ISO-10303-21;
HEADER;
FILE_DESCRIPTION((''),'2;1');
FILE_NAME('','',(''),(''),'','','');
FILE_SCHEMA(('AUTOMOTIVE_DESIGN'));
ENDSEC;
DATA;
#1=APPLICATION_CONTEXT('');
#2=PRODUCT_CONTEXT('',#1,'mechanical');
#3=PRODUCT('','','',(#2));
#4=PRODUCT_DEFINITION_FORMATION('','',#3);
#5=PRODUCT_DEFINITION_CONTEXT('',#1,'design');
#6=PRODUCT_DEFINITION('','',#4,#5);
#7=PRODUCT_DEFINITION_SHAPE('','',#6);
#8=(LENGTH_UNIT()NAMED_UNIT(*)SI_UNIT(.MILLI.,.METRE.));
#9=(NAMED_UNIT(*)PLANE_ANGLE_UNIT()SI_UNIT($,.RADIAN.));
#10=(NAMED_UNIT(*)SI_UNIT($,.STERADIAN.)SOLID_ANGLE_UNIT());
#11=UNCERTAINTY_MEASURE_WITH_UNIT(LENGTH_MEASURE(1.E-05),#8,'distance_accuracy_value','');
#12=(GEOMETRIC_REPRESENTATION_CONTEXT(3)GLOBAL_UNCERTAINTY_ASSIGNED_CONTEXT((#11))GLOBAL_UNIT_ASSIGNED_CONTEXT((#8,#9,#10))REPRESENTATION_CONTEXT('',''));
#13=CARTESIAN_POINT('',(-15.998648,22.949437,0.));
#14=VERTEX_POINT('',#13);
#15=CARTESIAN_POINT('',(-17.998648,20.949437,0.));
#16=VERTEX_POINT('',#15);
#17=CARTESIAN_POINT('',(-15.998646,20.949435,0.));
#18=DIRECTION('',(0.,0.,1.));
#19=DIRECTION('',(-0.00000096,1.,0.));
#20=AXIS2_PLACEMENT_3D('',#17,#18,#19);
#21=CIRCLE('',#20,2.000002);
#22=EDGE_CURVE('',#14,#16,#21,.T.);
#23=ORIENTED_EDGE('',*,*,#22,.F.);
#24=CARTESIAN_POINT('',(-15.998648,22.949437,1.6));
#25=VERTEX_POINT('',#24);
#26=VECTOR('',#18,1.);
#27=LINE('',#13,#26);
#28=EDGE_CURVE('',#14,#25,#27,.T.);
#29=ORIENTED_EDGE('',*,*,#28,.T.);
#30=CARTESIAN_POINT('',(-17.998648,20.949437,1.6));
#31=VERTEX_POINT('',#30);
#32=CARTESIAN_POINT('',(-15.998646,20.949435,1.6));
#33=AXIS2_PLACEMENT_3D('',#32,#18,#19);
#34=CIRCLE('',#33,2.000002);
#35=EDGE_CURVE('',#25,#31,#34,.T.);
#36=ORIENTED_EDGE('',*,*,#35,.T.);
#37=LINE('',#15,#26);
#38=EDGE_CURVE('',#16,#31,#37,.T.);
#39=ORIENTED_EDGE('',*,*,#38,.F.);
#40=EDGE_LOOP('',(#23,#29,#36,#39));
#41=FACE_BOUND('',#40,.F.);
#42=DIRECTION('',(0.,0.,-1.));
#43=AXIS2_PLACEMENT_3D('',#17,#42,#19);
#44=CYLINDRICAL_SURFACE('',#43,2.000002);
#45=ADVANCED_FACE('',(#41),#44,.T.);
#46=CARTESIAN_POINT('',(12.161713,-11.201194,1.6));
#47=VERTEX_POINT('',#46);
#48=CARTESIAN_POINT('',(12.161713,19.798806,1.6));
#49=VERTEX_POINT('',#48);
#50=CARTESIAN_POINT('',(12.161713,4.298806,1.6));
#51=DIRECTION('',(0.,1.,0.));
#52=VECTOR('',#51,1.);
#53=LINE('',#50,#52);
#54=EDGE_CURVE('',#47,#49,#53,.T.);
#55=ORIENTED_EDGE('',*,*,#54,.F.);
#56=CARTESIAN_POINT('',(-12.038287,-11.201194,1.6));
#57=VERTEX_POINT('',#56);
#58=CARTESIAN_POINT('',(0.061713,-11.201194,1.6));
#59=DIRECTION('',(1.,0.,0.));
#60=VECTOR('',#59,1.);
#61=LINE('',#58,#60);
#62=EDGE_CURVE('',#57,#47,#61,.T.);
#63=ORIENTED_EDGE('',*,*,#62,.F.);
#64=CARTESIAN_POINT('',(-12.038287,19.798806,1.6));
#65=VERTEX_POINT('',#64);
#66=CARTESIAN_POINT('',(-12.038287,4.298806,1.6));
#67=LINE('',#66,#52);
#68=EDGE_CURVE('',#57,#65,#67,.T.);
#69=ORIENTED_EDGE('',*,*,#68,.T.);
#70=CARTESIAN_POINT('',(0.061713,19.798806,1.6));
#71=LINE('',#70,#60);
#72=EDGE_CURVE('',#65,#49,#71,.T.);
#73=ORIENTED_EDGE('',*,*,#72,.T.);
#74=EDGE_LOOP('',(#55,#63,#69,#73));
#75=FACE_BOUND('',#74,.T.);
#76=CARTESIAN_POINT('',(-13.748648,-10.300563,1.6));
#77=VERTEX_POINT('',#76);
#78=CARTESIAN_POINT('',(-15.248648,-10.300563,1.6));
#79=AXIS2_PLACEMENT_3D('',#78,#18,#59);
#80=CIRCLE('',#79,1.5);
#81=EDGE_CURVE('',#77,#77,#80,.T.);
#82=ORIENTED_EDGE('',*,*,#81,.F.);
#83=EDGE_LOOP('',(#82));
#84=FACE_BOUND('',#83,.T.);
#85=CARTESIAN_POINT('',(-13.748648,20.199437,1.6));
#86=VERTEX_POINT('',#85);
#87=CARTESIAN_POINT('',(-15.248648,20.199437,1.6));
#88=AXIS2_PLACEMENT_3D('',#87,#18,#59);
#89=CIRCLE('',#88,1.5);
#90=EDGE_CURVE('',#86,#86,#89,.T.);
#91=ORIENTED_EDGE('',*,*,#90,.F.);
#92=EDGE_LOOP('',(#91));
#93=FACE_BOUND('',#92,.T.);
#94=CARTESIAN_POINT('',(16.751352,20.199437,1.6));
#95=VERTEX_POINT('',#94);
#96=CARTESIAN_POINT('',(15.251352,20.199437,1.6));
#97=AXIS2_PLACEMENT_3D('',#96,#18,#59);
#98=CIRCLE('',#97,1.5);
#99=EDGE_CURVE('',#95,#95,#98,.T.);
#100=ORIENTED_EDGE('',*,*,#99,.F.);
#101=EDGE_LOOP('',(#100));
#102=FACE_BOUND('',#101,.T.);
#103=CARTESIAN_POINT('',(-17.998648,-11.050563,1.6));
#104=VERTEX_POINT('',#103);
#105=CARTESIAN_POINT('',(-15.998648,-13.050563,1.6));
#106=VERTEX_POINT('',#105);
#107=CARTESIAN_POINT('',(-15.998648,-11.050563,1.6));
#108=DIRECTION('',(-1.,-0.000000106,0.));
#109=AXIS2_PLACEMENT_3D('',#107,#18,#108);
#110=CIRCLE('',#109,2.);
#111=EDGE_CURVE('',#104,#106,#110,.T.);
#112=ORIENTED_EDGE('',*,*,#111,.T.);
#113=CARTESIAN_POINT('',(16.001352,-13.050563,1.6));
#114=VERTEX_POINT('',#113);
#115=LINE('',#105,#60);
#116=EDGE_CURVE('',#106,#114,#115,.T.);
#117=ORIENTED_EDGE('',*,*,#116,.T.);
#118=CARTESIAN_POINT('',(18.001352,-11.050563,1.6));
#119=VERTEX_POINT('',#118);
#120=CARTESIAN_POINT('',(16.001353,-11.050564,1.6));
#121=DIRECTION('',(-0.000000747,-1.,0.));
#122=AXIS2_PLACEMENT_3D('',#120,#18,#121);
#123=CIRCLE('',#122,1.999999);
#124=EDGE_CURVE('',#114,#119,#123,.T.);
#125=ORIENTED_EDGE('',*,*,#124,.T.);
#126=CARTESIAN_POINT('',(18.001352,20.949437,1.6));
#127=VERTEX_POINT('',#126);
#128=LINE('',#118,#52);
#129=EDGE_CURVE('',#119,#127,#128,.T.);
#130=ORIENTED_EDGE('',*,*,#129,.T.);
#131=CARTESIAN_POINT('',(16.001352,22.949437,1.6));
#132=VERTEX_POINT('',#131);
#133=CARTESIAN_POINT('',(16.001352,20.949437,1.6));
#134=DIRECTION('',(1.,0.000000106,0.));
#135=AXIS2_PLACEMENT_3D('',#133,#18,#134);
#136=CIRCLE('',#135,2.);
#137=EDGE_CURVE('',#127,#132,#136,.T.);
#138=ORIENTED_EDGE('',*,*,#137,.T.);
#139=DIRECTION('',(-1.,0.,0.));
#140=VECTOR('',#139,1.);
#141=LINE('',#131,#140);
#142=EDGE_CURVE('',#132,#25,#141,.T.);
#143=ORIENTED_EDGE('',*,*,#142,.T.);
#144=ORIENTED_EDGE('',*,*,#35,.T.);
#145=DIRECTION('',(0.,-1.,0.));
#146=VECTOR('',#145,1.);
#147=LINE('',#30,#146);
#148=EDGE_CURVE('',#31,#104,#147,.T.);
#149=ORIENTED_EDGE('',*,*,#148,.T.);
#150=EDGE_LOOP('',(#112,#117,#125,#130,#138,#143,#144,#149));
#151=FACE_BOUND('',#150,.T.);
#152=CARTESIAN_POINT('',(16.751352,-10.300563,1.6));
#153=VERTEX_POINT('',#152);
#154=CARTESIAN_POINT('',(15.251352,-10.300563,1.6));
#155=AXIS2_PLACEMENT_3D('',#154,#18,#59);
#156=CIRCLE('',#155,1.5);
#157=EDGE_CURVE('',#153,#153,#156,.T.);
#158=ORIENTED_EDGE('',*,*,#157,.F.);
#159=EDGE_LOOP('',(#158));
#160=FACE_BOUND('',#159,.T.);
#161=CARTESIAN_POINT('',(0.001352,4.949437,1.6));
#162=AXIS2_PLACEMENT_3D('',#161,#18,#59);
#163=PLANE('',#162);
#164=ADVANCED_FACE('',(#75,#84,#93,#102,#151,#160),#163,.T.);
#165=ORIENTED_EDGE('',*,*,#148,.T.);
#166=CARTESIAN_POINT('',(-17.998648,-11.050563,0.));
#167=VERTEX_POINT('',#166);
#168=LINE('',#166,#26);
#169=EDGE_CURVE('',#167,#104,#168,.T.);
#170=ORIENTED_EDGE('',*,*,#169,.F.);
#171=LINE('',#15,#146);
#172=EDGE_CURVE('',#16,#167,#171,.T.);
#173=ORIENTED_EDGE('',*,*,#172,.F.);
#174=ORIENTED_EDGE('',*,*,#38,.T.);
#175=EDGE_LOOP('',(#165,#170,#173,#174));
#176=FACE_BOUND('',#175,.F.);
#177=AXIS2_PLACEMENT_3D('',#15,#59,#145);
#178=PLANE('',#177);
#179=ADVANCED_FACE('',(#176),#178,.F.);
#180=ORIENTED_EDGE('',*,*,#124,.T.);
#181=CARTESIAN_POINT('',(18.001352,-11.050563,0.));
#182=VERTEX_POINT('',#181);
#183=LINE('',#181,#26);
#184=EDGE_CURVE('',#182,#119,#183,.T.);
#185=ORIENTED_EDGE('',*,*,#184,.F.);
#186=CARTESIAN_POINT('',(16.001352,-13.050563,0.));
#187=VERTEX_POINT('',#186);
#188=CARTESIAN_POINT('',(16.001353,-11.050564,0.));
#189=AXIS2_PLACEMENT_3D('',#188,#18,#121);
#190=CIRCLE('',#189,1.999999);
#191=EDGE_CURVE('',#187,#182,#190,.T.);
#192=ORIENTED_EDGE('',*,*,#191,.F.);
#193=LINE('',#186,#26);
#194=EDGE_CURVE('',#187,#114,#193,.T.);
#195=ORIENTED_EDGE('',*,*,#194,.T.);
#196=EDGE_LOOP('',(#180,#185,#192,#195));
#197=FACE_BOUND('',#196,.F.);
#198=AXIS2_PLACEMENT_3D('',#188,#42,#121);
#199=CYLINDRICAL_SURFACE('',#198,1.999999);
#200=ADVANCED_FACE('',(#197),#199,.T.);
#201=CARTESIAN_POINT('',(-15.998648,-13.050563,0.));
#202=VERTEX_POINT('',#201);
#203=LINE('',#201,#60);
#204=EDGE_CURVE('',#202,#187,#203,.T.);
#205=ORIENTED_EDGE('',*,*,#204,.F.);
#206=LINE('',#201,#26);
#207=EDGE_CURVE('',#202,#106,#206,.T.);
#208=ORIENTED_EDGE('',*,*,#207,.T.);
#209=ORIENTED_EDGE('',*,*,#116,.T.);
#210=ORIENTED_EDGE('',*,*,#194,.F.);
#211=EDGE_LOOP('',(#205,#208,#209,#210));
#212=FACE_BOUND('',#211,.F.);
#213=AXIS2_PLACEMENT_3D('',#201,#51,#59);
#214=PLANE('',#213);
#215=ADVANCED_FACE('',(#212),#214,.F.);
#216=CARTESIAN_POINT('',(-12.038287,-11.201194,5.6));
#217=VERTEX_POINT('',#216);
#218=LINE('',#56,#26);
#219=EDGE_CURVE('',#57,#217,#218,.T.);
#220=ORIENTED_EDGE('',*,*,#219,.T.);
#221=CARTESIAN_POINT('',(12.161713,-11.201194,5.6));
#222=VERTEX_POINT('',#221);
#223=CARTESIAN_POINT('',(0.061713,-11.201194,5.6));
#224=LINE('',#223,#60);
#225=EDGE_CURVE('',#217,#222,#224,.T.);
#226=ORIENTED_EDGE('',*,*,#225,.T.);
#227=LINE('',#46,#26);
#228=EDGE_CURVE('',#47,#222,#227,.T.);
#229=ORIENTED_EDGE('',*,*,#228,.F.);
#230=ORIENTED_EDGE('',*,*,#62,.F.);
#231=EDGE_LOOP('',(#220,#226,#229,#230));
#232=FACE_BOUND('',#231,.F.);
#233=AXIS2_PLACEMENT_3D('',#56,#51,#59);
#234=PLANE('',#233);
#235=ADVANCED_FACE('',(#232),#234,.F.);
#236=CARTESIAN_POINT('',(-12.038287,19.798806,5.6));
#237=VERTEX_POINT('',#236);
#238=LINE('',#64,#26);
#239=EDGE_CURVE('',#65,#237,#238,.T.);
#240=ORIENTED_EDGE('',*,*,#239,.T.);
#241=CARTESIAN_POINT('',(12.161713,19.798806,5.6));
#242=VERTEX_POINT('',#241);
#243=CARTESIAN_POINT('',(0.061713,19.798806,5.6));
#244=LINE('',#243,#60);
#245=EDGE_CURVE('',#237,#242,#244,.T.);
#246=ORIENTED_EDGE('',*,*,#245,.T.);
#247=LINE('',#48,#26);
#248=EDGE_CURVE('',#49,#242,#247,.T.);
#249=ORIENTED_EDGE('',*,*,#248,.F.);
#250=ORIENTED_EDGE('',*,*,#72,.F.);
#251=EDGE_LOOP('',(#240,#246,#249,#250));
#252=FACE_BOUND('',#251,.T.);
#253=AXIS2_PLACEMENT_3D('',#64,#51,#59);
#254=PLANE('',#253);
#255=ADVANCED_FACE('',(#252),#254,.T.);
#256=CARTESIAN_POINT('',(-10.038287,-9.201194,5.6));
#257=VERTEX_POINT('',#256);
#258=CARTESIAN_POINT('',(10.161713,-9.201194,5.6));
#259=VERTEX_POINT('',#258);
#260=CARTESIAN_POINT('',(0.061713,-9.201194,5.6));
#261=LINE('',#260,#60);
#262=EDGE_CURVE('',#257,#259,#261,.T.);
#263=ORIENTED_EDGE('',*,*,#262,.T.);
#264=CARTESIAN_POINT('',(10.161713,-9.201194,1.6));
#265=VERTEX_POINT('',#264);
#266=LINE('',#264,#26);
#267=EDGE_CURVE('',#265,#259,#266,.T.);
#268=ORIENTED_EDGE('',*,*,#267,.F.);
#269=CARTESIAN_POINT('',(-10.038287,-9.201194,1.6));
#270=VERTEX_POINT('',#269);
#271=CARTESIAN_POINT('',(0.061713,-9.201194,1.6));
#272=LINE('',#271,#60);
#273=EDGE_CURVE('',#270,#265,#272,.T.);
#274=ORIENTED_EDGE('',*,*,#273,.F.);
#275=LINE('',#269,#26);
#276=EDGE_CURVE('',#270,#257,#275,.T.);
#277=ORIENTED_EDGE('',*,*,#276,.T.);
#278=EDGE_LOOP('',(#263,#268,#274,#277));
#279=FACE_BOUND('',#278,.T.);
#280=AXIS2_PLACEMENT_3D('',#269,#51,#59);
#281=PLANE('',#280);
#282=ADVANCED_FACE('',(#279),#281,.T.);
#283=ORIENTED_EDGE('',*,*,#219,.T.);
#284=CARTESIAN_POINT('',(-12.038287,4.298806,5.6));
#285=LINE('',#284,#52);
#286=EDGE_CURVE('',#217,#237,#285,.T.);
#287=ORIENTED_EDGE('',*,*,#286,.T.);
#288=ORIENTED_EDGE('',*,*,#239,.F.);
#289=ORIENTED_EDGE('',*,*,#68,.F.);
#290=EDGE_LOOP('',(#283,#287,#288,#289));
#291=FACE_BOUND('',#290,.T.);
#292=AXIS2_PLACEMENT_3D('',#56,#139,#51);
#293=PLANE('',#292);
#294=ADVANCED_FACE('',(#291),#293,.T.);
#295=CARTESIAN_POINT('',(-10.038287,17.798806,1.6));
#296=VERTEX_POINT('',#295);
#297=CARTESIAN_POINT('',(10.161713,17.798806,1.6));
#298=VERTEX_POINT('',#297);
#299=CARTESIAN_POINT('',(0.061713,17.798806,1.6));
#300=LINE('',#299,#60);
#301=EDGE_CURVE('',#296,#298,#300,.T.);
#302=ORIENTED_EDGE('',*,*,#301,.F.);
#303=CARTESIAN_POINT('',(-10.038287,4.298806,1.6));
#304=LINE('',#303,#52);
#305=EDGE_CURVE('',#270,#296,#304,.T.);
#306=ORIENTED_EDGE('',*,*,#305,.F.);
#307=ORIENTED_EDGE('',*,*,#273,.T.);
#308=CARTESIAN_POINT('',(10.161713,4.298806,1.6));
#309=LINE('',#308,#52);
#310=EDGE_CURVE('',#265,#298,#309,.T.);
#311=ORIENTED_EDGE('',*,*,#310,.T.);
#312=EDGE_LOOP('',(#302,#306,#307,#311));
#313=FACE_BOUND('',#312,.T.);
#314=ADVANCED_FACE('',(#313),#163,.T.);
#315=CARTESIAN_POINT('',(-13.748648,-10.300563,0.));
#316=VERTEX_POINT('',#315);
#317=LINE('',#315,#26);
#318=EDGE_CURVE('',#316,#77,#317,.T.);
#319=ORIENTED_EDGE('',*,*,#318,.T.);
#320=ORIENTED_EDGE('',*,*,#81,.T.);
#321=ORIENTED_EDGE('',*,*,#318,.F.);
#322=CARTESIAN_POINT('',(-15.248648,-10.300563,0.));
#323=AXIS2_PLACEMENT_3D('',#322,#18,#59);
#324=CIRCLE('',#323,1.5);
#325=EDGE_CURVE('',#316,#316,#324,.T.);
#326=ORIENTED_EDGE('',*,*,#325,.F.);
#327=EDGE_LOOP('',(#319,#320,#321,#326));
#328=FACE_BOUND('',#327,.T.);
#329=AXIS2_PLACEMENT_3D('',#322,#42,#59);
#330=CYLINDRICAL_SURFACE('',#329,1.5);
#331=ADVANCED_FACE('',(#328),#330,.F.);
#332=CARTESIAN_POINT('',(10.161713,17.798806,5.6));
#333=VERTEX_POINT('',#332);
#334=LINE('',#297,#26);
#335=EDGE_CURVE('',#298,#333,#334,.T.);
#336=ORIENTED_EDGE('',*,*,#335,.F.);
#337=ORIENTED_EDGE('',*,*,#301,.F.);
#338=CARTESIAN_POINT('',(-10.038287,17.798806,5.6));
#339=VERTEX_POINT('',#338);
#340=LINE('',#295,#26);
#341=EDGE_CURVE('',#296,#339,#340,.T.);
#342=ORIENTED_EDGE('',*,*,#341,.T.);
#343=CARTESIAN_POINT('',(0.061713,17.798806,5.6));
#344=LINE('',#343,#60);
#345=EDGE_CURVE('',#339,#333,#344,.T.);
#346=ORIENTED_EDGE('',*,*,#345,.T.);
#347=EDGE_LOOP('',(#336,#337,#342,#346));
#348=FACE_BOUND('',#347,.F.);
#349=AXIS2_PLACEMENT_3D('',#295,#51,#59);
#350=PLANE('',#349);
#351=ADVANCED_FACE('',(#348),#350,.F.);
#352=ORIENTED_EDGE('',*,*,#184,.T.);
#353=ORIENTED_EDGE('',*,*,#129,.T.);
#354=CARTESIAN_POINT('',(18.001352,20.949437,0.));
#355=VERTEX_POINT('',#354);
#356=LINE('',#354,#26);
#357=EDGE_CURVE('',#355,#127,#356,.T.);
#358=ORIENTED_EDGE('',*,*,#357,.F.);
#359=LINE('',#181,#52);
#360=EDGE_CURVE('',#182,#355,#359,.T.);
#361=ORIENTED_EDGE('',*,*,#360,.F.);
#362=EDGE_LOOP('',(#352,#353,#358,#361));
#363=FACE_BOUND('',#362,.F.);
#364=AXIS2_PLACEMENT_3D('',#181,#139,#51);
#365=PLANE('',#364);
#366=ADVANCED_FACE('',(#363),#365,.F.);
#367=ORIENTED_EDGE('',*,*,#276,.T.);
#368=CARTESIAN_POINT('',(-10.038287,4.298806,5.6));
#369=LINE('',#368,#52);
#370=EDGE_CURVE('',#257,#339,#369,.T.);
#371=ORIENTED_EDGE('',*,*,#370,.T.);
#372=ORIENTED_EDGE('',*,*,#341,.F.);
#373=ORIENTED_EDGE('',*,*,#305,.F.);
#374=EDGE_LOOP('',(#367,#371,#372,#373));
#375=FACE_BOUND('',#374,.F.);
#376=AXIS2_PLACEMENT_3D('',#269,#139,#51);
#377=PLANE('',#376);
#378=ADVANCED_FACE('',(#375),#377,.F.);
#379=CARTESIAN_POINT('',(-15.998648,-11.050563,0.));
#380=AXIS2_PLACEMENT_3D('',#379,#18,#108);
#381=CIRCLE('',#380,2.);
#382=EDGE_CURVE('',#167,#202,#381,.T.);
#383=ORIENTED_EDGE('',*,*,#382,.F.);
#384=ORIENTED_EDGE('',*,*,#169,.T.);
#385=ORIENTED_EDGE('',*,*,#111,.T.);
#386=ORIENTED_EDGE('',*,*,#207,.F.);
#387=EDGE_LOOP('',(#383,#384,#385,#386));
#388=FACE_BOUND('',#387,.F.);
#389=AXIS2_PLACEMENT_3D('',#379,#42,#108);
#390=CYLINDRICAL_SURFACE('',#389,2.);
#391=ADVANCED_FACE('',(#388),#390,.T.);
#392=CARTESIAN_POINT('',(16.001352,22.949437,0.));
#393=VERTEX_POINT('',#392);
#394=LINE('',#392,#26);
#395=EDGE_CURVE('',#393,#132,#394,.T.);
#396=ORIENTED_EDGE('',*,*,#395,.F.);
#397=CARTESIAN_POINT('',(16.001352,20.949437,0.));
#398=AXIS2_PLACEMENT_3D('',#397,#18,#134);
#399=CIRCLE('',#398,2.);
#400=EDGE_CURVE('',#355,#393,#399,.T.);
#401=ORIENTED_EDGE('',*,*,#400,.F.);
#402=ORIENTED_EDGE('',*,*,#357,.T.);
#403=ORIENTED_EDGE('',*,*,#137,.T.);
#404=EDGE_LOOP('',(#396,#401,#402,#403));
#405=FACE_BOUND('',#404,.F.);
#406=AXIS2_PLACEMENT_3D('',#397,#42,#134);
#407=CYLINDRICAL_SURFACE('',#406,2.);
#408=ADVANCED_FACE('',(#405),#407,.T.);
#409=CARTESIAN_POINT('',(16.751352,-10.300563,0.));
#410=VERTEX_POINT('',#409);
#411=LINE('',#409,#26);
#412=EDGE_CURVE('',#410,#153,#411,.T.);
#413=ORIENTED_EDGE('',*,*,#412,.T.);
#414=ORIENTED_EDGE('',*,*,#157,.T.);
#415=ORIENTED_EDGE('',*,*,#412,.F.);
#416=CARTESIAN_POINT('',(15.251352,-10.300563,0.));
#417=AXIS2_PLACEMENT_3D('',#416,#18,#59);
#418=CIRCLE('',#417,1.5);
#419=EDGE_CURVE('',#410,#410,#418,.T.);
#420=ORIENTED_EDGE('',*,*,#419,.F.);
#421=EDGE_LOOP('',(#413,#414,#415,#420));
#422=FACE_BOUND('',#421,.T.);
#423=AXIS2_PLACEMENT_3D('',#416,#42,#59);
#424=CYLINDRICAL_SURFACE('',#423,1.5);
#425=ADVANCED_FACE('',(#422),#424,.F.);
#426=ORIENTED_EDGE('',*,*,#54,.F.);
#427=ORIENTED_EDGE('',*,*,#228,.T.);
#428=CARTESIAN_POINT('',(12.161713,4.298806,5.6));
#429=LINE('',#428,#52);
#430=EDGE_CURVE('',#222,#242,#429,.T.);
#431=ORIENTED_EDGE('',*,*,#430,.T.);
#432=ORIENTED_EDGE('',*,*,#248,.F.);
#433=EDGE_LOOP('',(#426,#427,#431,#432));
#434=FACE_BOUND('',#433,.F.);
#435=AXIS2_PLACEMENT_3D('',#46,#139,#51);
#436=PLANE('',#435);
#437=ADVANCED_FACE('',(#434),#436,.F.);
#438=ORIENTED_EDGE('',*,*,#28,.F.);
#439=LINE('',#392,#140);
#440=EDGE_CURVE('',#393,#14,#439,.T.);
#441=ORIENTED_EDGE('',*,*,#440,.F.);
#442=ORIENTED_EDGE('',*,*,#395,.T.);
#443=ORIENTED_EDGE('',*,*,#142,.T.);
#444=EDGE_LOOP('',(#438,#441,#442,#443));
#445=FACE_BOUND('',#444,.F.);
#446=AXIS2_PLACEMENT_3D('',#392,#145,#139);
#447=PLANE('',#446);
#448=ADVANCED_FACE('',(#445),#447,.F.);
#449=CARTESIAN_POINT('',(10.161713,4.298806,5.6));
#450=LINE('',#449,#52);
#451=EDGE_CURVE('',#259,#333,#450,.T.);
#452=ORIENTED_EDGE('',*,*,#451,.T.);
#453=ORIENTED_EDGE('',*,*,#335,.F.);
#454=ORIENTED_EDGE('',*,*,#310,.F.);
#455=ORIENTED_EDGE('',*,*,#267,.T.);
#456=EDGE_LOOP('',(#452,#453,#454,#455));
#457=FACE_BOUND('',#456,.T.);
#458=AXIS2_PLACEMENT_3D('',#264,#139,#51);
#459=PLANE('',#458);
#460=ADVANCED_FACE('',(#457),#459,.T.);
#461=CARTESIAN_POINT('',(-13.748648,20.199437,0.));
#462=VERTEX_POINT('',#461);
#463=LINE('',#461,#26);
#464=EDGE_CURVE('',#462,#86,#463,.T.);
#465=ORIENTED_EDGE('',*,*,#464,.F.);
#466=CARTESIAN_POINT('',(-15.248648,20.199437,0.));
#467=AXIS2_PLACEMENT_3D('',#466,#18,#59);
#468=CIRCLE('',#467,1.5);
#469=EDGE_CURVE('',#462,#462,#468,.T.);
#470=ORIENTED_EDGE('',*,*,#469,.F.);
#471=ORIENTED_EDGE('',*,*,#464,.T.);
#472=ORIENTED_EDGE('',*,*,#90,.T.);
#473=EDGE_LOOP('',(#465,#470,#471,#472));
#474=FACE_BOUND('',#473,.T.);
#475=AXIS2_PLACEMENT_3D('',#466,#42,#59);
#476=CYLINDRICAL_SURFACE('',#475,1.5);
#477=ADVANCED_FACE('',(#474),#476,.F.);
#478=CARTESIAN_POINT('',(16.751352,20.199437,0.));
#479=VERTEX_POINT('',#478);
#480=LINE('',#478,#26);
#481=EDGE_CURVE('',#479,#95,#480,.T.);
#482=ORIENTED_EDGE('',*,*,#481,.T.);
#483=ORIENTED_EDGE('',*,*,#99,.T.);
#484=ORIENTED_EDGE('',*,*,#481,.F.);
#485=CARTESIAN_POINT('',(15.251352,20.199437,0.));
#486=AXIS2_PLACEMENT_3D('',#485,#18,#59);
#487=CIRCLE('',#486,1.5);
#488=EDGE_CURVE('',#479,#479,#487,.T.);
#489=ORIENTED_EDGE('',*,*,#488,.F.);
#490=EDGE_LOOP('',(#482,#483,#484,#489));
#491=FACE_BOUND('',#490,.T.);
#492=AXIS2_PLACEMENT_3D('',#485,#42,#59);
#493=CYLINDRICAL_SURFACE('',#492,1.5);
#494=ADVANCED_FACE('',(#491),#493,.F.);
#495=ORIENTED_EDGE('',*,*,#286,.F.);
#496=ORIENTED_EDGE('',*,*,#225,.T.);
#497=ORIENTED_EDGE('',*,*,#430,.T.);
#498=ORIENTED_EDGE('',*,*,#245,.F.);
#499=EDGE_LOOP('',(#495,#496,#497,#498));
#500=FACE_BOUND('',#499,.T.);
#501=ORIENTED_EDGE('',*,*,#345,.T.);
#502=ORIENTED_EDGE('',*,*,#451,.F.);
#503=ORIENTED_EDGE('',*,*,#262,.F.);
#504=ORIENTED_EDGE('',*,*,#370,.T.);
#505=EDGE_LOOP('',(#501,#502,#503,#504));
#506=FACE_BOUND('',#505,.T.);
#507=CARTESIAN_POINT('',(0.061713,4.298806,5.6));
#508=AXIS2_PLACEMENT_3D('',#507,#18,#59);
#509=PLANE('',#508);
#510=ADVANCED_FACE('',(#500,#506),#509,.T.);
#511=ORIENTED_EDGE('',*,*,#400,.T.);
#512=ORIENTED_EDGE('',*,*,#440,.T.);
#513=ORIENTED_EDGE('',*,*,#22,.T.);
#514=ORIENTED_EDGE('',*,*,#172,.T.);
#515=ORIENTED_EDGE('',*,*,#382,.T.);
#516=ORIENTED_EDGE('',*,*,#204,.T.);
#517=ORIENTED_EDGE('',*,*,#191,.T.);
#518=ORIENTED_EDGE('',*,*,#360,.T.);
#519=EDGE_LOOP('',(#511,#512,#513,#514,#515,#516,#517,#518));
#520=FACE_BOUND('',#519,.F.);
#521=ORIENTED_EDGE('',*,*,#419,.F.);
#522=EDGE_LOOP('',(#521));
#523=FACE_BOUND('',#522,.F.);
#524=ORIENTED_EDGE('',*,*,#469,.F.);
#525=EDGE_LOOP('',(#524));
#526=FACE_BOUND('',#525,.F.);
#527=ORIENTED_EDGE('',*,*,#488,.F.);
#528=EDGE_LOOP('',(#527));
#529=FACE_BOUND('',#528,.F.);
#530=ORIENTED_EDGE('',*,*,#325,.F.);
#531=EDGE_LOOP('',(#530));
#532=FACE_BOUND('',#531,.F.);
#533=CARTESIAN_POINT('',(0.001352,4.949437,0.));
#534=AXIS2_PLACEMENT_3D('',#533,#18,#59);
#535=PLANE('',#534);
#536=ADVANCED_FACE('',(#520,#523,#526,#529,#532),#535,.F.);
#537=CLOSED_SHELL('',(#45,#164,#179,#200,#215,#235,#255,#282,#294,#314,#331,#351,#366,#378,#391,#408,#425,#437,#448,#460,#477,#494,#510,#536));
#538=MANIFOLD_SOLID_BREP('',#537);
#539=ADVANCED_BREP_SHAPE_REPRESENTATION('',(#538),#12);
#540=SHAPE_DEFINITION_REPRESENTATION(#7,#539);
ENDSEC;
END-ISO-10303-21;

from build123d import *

# Parameters (mm, degrees)
F0_R     = 1.5
F1_DEPTH = 1.6
F2_W     = 24.2
F2_H     = 31
F2_W_2   = 20.2
F2_H_2   = 27
F3_DEPTH = 4


with BuildPart() as f1:
    # F0 (on Top) → F1 (new body)
    with BuildSketch(Plane.XY):
        with BuildLine():
            ThreePointArc((-15.998648, 22.949437), (-17.412861, 22.36365), (-17.998648, 20.949437))
            Line((-17.998648, 20.949437), (-17.998648, -11.050563))
            ThreePointArc((-17.998648, -11.050563), (-17.412861, -12.464777), (-15.998648, -13.050563))
            Line((-15.998648, -13.050563), (16.001352, -13.050563))
            ThreePointArc((16.001352, -13.050563), (17.415566, -12.464777), (18.001352, -11.050563))
            Line((18.001352, -11.050563), (18.001352, 20.949437))
            ThreePointArc((18.001352, 20.949437), (17.415566, 22.36365), (16.001352, 22.949437))
            Line((16.001352, 22.949437), (-15.998648, 22.949437))
        make_face()
        with Locations((-15.248648, -10.300563)):
            Circle(F0_R, mode=Mode.SUBTRACT)
        with Locations((15.251352, -10.300563)):
            Circle(F0_R, mode=Mode.SUBTRACT)
        with Locations((-15.248648, 20.199437)):
            Circle(F0_R, mode=Mode.SUBTRACT)
        with Locations((15.251352, 20.199437)):
            Circle(F0_R, mode=Mode.SUBTRACT)
    extrude(amount=F1_DEPTH)

    # F2 (on face) → F3 (join)
    with BuildSketch(Plane.XY.offset(1.6)):
        with Locations((0.061713, 4.298806)):
            Rectangle(F2_W, F2_H)
        with Locations((0.061713, 4.298806)):
            Rectangle(F2_W_2, F2_H_2, mode=Mode.SUBTRACT)
    extrude(amount=F3_DEPTH)


solid = f1.part
